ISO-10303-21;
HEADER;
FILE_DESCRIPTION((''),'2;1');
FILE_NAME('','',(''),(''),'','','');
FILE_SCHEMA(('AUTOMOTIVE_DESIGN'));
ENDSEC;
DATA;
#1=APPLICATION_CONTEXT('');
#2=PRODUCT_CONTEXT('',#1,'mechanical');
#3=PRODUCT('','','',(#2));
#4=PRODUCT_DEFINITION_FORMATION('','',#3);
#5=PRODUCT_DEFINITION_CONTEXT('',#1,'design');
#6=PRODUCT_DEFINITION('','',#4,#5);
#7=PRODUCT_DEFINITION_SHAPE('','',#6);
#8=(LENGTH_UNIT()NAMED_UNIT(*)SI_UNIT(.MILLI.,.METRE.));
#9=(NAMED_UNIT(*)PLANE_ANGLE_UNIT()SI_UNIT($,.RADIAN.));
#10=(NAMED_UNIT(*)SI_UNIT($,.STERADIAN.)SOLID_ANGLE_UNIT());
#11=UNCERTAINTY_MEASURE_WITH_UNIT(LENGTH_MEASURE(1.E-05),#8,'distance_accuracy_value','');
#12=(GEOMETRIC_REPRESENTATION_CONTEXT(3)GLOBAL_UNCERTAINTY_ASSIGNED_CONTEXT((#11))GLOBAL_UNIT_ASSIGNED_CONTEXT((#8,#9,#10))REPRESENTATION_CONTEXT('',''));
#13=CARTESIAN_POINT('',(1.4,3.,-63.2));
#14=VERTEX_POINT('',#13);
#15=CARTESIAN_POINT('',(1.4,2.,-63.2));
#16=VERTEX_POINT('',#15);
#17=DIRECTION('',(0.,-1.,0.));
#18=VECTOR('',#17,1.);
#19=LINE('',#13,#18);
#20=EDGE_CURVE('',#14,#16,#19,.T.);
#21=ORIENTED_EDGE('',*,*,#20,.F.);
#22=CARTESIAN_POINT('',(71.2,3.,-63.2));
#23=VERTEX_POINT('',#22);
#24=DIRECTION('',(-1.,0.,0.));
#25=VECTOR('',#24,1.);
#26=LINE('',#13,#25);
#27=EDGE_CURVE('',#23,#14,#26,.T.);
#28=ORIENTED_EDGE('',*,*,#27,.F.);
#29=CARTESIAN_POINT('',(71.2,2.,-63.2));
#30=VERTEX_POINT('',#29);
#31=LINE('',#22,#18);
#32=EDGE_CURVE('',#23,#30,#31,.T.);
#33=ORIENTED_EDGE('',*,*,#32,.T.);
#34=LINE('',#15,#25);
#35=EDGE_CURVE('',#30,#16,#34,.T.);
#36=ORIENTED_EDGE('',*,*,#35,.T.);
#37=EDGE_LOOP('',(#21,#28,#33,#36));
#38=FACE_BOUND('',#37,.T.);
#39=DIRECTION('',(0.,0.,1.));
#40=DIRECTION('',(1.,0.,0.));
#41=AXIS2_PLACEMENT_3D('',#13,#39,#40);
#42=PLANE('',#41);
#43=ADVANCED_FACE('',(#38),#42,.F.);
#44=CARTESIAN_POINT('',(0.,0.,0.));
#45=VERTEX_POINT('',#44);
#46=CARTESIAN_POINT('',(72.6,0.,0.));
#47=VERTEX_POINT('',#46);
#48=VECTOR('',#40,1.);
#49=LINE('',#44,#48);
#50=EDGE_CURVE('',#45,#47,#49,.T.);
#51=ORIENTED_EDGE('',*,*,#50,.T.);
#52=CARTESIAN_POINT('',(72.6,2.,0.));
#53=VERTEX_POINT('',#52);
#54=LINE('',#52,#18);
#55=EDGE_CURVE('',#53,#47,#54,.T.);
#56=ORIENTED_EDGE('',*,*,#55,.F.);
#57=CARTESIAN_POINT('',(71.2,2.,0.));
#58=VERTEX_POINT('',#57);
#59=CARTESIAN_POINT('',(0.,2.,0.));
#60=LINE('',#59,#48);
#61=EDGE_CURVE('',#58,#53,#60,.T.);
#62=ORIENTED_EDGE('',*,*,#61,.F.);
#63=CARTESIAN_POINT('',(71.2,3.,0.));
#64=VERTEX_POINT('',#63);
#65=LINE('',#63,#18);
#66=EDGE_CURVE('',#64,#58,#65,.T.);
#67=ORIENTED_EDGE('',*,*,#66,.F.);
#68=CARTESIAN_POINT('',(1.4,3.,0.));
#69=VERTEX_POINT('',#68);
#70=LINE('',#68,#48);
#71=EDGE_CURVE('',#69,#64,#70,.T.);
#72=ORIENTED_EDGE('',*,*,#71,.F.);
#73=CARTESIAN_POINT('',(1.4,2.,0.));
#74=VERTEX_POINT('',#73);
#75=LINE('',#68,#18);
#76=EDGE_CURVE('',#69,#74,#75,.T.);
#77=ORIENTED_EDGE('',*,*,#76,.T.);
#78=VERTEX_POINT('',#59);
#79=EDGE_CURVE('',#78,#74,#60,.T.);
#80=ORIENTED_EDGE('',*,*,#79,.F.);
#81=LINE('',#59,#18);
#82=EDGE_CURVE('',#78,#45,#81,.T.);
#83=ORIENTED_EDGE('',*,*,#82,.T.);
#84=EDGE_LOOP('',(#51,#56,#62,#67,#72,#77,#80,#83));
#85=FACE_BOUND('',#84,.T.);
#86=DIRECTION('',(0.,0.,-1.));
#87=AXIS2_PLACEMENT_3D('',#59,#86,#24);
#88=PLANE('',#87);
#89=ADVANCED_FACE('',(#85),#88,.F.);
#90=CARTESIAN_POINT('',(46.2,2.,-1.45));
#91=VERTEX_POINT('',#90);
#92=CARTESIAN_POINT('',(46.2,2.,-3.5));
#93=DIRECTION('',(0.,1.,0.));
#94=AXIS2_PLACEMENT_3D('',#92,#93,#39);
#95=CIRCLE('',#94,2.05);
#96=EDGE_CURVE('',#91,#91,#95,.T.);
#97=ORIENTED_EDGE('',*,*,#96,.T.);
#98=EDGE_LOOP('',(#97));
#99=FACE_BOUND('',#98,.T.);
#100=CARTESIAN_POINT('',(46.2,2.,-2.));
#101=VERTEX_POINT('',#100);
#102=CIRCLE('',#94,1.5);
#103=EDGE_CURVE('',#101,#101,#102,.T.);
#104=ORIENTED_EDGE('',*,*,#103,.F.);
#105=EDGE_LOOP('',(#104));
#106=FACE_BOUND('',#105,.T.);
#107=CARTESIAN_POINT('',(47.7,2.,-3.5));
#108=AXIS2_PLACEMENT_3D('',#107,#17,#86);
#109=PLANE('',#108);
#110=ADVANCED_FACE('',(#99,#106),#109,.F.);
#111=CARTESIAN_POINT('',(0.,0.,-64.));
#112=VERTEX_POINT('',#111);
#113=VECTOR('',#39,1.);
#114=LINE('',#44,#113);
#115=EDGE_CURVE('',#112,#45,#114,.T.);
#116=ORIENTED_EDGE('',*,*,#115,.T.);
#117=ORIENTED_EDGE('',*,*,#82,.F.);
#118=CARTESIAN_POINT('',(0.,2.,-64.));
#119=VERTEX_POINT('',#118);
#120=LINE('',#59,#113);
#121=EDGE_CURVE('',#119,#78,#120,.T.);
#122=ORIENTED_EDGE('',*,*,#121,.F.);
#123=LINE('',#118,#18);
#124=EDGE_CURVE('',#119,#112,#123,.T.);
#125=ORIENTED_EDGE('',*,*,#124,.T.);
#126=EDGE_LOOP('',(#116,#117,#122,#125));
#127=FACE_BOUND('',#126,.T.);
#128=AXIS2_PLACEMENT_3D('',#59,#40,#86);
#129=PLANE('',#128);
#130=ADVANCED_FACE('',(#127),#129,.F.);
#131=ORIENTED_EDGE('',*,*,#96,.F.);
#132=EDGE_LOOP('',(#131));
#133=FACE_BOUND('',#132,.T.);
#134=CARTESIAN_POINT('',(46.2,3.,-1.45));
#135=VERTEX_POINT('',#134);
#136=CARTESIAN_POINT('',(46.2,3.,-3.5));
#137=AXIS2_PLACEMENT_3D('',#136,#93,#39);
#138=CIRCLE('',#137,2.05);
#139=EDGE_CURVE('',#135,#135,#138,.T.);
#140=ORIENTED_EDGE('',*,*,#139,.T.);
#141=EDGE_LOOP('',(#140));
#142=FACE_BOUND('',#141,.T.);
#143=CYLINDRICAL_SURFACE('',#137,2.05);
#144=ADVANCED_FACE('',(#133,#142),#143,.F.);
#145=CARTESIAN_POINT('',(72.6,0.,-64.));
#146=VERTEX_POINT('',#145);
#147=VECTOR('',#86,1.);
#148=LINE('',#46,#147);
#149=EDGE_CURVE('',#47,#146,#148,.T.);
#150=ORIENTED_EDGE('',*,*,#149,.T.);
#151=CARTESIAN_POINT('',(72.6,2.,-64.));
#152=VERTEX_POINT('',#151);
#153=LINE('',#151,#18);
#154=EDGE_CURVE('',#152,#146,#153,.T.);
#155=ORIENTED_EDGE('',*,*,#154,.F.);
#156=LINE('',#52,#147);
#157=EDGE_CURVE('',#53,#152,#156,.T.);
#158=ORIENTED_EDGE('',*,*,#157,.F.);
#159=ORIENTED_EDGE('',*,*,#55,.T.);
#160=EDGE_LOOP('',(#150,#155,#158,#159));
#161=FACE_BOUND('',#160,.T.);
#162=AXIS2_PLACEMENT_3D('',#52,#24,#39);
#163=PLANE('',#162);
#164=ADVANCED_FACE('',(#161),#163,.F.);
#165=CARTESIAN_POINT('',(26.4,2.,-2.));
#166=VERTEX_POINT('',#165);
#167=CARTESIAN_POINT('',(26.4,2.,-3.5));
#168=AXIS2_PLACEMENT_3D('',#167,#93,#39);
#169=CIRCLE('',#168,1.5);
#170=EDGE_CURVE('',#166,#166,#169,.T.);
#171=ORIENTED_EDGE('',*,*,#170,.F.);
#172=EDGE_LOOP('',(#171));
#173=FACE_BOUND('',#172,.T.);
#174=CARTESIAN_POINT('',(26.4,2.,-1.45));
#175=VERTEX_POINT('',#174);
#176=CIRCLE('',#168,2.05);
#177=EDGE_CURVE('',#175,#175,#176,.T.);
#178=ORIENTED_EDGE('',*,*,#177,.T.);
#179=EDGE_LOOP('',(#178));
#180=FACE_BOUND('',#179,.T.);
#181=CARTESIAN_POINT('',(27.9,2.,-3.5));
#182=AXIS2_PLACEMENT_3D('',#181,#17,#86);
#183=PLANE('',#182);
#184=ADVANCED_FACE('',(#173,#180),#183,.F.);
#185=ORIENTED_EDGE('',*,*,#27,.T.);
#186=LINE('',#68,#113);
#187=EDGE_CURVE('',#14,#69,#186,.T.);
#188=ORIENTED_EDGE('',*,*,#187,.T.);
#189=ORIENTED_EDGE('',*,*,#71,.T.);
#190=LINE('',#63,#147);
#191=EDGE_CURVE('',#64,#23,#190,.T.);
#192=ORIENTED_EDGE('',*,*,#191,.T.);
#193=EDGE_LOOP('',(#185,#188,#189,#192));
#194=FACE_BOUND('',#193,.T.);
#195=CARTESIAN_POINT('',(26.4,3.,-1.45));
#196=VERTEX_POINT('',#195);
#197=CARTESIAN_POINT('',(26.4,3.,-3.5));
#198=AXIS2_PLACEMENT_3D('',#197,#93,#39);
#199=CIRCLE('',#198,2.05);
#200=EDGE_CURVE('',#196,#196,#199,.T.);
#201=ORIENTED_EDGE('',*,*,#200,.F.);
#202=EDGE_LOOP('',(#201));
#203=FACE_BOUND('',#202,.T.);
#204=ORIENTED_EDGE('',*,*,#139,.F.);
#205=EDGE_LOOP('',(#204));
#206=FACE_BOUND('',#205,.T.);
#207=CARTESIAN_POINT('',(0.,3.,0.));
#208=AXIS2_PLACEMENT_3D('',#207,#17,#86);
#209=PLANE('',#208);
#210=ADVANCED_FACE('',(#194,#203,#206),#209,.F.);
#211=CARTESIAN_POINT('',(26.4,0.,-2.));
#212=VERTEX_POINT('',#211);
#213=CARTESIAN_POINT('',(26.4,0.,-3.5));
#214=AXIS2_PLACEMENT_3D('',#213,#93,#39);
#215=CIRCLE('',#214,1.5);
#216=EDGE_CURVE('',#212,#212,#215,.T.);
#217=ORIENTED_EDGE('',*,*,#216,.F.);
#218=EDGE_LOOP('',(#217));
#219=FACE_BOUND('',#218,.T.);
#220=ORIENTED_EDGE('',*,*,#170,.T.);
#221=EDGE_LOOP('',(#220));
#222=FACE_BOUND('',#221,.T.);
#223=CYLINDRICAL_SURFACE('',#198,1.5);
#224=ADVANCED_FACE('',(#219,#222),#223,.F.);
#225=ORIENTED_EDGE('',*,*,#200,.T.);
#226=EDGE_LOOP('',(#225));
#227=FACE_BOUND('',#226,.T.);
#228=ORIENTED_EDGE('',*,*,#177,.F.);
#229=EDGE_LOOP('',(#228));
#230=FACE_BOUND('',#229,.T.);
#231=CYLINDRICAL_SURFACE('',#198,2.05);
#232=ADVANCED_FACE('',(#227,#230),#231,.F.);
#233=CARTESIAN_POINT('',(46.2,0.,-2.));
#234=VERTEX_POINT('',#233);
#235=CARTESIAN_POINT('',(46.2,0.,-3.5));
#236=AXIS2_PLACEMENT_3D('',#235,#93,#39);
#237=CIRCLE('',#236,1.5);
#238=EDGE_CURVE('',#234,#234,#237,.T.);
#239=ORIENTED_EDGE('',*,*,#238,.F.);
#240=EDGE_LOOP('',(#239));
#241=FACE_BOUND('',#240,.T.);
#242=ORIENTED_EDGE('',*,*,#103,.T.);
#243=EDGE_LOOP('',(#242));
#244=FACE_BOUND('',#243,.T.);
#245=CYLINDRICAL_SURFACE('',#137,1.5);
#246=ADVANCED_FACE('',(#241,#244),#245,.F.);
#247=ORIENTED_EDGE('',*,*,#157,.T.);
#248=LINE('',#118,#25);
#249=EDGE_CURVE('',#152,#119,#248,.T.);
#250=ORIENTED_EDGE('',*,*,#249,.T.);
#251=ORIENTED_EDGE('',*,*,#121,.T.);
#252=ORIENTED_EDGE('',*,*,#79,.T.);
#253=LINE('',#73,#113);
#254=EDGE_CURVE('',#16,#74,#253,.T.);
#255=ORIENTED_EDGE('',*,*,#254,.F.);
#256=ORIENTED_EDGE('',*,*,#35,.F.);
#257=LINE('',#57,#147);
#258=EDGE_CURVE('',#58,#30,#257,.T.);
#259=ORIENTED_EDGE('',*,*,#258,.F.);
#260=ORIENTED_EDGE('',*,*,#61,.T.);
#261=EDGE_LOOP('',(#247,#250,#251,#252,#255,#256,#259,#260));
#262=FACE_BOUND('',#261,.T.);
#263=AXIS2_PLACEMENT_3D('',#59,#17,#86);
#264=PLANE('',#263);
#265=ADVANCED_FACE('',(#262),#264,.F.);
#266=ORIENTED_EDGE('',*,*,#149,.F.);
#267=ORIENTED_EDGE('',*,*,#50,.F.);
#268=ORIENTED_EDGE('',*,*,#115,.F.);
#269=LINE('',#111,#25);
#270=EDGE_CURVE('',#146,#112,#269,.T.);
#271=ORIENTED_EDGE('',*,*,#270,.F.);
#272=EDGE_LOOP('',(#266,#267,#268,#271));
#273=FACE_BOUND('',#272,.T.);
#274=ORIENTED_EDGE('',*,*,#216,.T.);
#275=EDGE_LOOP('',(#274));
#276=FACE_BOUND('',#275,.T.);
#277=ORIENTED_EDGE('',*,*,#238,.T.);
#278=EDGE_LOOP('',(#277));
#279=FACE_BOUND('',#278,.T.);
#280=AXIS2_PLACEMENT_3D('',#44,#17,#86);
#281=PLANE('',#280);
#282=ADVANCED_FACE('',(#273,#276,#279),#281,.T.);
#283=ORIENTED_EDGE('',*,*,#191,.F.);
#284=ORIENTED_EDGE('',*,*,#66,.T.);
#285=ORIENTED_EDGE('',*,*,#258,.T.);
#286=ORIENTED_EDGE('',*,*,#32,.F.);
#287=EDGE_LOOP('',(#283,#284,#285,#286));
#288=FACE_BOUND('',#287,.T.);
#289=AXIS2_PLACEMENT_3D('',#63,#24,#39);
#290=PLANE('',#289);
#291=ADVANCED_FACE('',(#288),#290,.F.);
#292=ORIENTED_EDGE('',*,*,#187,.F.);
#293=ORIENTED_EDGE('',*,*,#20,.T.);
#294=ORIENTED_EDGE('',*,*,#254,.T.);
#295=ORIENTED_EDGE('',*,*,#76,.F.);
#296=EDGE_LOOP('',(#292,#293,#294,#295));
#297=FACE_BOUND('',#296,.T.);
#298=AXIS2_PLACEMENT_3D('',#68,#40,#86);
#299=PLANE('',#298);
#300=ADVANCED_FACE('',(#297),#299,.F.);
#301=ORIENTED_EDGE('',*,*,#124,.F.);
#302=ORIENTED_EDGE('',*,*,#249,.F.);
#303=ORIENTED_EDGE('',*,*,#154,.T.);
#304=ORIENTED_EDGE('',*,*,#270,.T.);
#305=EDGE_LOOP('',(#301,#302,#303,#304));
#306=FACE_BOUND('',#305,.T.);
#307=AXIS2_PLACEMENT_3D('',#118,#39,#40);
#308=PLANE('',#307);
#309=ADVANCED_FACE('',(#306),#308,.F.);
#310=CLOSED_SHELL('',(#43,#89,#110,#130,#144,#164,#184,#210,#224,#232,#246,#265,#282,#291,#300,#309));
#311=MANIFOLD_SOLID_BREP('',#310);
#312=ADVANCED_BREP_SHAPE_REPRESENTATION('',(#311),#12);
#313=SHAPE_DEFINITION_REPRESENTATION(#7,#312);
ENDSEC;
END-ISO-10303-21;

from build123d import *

# Parameters (mm, degrees)
SKETCH1_W           = 72.6
SKETCH1_H           = 64
BOSS_EXTRUDE1_DEPTH = 2
SKETCH2_W           = 69.8
SKETCH2_H           = 63.2
BOSS_EXTRUDE2_DEPTH = 1
HOLE1_D             = 3
HOLE1_CBORE_D       = 4.1
HOLE1_CBORE_DEPTH   = 1


with BuildPart() as part:
    # Sketch1 → Boss-Extrude1 (new body)
    with BuildSketch(Plane(origin=(0, 0, 0), x_dir=(1, 0, 0), z_dir=(0, 1, 0))):
        with Locations((36.3, 32)):
            Rectangle(SKETCH1_W, SKETCH1_H)
    extrude(amount=BOSS_EXTRUDE1_DEPTH)

    # Sketch2 → Boss-Extrude2 (add)
    with BuildSketch(Plane(origin=(0, 2, 0), x_dir=(1, 0, 0), z_dir=(0, 1, 0))):
        with Locations((36.3, 31.6)):
            Rectangle(SKETCH2_W, SKETCH2_H)
    extrude(amount=BOSS_EXTRUDE2_DEPTH)

    # Hole1 (through all)
    with Locations(Plane(origin=(0, 3, 0), x_dir=(1, 0, 0), z_dir=(0, 1, 0))):
        with Locations((26.4, 3.5), (46.2, 3.5)):
            CounterBoreHole(HOLE1_D / 2, HOLE1_CBORE_D / 2, HOLE1_CBORE_DEPTH)


solid = part.part
